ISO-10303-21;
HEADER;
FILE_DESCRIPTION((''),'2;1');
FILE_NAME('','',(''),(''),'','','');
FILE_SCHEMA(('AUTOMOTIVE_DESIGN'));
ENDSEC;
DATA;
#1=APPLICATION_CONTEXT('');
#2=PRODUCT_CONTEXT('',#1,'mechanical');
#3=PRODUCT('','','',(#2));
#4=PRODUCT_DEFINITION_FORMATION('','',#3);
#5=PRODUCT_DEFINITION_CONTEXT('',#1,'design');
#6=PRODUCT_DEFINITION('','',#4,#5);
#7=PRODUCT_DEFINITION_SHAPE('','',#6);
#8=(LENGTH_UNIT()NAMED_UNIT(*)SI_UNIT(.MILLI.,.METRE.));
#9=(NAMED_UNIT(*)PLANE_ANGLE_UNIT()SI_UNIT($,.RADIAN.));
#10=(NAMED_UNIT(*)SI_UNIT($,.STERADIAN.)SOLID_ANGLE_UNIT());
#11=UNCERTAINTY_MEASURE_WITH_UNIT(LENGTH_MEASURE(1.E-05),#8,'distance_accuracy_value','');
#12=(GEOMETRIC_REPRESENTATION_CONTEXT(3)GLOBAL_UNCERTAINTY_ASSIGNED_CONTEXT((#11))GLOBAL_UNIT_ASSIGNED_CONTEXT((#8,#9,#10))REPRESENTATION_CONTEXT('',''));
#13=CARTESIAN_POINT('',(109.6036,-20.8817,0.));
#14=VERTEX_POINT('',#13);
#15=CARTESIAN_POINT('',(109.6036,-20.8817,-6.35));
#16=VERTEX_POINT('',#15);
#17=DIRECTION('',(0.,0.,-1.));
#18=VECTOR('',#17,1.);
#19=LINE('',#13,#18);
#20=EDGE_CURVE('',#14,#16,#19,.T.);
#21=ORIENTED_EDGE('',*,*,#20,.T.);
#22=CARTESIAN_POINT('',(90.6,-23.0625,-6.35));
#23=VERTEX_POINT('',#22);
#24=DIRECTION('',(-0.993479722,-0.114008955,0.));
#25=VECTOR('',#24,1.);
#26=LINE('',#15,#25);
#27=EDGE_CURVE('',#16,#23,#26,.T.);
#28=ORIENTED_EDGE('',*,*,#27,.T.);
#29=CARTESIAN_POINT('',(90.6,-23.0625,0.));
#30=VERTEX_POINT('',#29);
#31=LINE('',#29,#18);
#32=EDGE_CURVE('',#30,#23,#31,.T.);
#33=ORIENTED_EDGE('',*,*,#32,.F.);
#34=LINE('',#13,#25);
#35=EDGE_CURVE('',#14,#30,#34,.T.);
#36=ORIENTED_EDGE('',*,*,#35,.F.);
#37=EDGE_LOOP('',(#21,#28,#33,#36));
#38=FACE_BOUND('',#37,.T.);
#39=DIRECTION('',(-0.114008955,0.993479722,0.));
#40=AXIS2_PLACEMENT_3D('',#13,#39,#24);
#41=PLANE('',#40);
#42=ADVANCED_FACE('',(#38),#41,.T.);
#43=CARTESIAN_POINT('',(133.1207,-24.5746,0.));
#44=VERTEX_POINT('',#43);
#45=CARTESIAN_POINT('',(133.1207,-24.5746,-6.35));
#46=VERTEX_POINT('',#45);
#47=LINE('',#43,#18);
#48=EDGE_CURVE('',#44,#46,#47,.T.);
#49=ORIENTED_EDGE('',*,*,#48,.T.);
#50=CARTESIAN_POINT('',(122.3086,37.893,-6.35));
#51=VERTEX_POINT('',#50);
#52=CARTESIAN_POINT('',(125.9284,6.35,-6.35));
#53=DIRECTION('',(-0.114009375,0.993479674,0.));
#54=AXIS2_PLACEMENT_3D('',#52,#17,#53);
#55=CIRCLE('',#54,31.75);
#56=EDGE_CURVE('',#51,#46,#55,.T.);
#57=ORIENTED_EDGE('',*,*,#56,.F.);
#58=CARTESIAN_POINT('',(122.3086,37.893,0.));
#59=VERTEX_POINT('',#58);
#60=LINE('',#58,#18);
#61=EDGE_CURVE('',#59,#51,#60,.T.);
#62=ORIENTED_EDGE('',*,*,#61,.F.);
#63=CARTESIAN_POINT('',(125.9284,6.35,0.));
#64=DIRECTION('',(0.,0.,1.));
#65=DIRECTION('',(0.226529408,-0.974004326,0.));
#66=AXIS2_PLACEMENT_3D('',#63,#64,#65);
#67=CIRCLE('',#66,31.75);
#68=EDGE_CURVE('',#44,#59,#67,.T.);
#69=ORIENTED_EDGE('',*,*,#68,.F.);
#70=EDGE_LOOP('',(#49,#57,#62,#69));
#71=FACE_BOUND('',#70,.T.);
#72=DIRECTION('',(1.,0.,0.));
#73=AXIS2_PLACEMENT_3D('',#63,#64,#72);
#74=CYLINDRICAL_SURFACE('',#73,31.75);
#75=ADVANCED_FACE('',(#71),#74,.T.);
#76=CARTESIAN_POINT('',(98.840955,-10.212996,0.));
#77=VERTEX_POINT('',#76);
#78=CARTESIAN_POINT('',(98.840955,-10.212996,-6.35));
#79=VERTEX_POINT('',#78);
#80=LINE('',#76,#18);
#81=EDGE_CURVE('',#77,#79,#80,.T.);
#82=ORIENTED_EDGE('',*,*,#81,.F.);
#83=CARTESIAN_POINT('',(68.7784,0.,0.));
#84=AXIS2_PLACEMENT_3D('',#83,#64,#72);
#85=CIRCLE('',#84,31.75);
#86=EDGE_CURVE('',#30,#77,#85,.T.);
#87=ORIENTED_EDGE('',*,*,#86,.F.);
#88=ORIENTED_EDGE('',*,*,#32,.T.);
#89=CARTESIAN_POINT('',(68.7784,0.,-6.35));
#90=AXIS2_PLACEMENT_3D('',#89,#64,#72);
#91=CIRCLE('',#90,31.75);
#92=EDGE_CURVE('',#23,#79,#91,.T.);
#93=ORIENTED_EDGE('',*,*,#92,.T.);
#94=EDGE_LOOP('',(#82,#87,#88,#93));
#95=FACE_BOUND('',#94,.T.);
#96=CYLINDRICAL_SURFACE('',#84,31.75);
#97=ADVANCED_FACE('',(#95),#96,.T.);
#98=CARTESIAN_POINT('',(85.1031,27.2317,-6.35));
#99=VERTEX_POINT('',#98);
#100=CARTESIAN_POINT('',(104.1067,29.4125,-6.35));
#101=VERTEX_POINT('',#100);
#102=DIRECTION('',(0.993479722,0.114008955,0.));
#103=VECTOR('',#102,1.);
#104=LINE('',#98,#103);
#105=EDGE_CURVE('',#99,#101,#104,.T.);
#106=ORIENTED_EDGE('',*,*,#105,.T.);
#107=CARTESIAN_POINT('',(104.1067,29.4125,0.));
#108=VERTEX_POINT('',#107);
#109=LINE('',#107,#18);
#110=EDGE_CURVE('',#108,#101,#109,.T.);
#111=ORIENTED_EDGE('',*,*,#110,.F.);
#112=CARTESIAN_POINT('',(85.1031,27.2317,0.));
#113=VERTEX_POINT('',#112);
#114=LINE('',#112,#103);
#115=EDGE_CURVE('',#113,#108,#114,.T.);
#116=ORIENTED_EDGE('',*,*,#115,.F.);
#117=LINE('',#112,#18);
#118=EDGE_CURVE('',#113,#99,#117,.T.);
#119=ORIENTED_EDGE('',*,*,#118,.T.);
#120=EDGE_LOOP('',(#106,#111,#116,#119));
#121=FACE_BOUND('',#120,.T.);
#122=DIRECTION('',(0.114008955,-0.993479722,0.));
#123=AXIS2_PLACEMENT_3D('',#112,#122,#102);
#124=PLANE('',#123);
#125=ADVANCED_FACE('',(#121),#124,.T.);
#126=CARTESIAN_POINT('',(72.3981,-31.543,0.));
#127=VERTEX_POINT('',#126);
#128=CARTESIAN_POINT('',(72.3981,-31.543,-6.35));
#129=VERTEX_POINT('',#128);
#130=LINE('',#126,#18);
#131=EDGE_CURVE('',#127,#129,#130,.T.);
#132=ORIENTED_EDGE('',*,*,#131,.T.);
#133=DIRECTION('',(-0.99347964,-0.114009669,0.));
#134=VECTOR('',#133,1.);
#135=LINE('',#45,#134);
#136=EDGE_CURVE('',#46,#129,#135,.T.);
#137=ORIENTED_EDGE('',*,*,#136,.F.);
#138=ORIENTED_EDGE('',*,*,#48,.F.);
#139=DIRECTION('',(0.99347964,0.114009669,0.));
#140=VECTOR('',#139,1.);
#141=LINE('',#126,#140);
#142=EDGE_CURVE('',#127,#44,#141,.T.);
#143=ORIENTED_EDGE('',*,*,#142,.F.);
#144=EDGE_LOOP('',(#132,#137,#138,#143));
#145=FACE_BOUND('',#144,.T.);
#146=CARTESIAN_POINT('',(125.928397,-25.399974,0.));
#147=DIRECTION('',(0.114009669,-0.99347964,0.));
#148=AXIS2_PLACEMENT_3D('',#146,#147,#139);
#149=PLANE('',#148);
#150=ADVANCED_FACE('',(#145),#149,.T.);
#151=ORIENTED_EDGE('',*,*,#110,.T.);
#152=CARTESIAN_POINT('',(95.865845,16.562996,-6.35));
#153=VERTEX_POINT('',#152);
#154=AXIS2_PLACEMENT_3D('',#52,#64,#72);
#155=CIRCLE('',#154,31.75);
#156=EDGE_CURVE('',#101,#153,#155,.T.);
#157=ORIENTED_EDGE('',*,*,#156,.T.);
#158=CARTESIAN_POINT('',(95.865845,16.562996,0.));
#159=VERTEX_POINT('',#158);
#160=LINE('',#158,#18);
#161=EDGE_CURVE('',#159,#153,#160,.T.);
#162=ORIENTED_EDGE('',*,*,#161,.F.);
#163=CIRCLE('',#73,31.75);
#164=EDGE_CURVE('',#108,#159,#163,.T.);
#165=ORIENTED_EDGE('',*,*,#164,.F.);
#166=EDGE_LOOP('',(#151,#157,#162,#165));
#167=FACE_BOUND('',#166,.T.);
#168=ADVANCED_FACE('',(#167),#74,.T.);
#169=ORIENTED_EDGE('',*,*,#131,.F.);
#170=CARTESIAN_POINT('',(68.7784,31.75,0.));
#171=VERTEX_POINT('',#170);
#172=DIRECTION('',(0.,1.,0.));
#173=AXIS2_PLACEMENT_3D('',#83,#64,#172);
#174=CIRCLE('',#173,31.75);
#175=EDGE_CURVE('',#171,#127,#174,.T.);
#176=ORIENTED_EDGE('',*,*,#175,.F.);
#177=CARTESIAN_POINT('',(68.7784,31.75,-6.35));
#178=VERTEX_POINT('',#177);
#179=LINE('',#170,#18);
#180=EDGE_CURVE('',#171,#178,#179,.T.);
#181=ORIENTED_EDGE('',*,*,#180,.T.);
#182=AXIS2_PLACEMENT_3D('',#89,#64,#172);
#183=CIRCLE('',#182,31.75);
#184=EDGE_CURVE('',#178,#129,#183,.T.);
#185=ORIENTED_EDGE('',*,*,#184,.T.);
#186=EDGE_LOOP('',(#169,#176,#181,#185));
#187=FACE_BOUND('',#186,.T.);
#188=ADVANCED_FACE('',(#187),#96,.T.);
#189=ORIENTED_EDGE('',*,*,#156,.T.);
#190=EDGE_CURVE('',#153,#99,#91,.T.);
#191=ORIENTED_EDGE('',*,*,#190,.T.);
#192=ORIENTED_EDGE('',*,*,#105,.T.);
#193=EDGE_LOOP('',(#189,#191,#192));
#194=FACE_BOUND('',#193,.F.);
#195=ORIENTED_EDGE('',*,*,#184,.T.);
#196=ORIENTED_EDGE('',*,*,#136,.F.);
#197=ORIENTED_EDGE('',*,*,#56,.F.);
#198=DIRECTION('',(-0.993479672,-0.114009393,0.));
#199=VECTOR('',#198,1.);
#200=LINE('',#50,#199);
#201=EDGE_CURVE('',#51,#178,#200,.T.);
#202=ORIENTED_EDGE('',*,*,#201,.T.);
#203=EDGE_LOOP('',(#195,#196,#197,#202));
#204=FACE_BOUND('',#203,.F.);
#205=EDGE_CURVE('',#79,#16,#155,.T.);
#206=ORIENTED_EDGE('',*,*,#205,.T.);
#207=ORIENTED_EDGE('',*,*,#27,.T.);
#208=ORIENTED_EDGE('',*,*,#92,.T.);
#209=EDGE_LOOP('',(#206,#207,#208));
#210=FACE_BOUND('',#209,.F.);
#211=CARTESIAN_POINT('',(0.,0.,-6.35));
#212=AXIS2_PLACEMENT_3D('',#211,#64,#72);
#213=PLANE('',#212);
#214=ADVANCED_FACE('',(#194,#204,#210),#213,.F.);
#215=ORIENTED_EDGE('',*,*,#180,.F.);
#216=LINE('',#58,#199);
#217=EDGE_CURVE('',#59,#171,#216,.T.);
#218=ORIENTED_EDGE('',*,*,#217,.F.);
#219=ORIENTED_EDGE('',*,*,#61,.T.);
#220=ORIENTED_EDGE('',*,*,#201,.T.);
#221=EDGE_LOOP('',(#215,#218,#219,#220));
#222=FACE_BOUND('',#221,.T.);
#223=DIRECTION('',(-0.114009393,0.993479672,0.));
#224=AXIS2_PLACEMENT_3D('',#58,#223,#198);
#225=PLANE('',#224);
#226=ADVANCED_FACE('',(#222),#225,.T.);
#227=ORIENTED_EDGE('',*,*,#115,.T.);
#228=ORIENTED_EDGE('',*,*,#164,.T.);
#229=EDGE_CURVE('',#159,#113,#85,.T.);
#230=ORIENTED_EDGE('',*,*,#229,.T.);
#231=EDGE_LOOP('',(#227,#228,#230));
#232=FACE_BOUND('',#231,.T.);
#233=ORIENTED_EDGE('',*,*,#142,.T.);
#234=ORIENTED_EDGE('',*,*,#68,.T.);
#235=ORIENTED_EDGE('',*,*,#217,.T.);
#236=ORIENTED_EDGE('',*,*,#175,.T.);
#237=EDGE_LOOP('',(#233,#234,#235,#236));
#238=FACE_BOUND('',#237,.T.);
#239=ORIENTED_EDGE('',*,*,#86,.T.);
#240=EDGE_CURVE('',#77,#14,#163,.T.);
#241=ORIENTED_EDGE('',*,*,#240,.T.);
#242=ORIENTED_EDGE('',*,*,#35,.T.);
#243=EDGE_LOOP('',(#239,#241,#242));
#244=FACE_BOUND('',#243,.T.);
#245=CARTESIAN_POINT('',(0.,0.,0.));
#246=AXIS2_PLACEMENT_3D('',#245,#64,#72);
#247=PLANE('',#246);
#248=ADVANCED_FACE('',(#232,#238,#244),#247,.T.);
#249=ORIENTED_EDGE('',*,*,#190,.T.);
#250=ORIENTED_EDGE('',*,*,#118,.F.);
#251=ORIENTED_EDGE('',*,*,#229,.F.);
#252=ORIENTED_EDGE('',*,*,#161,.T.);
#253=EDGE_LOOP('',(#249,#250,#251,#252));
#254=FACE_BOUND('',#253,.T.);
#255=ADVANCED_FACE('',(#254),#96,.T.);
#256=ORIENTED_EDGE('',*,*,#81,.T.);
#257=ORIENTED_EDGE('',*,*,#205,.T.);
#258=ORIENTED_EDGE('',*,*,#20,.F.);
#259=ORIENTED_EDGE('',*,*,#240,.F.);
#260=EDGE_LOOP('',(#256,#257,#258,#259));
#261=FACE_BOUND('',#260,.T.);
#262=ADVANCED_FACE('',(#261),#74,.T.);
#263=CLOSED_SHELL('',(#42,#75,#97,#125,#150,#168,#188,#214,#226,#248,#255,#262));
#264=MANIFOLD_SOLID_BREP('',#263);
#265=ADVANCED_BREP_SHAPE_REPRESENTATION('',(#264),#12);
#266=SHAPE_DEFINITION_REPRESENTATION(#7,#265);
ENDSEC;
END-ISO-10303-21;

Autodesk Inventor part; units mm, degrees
ref_plane "YZ Plane" through (0, 0, 0) normal (1, 0, 0) x (0, 1, 0)
ref_plane "XZ Plane" through (0, 0, 0) normal (0, 1, 0) x (-1, 0, 0)
ref_plane "XY Plane" through (0, 0, 0) normal (0, 0, 1) x (1, 0, 0)
sketch "Sketch1" plane through (0, 0, 0) normal (0, 0, 1) x (1, 0, 0)
  circle A0 centre (68.7784, 0) radius 31.75
  circle A1 centre (125.9284, 6.35) radius 31.75
  line L0 (122.3086, 37.893) -> (68.7784, 31.75)
  line L1 (72.3981, -31.543) -> (133.1207, -24.5746)
  line L2 (85.1031, 27.2317) -> (104.1067, 29.4125)
  line L3 (109.6036, -20.8817) -> (90.6, -23.0625)
  line L4 (85.1031, 27.2317) -> (68.7784, 31.75)
  line L5 (90.6, -23.0625) -> (68.7784, -31.75)
  line L6 (109.6036, -20.8817) -> (125.9284, -25.4)
  line L7 (104.1067, 29.4125) -> (122.3086, 37.893)
  point P0 (0, 0)
  dimension "d0" = 57.15
  dimension "d1" = 6.35
  dimension "d2" = 63.5
  dimension "d3" = 63.5
  dimension "d4" = 6.35
  dimension "d5" = 6.35
extrude "Extrusion1" add sketch "Sketch1" against normal blind 6.35 contours L4 A0 | A0 L0 A1 L2 | A0 A1 L5 L4 | A1 L7 L1 L6 A0 | A0 A1 | A1 L7 | L5 A0 | A0 L3 A1 L1 | L6 A1
properties part number "shooterchain2"
